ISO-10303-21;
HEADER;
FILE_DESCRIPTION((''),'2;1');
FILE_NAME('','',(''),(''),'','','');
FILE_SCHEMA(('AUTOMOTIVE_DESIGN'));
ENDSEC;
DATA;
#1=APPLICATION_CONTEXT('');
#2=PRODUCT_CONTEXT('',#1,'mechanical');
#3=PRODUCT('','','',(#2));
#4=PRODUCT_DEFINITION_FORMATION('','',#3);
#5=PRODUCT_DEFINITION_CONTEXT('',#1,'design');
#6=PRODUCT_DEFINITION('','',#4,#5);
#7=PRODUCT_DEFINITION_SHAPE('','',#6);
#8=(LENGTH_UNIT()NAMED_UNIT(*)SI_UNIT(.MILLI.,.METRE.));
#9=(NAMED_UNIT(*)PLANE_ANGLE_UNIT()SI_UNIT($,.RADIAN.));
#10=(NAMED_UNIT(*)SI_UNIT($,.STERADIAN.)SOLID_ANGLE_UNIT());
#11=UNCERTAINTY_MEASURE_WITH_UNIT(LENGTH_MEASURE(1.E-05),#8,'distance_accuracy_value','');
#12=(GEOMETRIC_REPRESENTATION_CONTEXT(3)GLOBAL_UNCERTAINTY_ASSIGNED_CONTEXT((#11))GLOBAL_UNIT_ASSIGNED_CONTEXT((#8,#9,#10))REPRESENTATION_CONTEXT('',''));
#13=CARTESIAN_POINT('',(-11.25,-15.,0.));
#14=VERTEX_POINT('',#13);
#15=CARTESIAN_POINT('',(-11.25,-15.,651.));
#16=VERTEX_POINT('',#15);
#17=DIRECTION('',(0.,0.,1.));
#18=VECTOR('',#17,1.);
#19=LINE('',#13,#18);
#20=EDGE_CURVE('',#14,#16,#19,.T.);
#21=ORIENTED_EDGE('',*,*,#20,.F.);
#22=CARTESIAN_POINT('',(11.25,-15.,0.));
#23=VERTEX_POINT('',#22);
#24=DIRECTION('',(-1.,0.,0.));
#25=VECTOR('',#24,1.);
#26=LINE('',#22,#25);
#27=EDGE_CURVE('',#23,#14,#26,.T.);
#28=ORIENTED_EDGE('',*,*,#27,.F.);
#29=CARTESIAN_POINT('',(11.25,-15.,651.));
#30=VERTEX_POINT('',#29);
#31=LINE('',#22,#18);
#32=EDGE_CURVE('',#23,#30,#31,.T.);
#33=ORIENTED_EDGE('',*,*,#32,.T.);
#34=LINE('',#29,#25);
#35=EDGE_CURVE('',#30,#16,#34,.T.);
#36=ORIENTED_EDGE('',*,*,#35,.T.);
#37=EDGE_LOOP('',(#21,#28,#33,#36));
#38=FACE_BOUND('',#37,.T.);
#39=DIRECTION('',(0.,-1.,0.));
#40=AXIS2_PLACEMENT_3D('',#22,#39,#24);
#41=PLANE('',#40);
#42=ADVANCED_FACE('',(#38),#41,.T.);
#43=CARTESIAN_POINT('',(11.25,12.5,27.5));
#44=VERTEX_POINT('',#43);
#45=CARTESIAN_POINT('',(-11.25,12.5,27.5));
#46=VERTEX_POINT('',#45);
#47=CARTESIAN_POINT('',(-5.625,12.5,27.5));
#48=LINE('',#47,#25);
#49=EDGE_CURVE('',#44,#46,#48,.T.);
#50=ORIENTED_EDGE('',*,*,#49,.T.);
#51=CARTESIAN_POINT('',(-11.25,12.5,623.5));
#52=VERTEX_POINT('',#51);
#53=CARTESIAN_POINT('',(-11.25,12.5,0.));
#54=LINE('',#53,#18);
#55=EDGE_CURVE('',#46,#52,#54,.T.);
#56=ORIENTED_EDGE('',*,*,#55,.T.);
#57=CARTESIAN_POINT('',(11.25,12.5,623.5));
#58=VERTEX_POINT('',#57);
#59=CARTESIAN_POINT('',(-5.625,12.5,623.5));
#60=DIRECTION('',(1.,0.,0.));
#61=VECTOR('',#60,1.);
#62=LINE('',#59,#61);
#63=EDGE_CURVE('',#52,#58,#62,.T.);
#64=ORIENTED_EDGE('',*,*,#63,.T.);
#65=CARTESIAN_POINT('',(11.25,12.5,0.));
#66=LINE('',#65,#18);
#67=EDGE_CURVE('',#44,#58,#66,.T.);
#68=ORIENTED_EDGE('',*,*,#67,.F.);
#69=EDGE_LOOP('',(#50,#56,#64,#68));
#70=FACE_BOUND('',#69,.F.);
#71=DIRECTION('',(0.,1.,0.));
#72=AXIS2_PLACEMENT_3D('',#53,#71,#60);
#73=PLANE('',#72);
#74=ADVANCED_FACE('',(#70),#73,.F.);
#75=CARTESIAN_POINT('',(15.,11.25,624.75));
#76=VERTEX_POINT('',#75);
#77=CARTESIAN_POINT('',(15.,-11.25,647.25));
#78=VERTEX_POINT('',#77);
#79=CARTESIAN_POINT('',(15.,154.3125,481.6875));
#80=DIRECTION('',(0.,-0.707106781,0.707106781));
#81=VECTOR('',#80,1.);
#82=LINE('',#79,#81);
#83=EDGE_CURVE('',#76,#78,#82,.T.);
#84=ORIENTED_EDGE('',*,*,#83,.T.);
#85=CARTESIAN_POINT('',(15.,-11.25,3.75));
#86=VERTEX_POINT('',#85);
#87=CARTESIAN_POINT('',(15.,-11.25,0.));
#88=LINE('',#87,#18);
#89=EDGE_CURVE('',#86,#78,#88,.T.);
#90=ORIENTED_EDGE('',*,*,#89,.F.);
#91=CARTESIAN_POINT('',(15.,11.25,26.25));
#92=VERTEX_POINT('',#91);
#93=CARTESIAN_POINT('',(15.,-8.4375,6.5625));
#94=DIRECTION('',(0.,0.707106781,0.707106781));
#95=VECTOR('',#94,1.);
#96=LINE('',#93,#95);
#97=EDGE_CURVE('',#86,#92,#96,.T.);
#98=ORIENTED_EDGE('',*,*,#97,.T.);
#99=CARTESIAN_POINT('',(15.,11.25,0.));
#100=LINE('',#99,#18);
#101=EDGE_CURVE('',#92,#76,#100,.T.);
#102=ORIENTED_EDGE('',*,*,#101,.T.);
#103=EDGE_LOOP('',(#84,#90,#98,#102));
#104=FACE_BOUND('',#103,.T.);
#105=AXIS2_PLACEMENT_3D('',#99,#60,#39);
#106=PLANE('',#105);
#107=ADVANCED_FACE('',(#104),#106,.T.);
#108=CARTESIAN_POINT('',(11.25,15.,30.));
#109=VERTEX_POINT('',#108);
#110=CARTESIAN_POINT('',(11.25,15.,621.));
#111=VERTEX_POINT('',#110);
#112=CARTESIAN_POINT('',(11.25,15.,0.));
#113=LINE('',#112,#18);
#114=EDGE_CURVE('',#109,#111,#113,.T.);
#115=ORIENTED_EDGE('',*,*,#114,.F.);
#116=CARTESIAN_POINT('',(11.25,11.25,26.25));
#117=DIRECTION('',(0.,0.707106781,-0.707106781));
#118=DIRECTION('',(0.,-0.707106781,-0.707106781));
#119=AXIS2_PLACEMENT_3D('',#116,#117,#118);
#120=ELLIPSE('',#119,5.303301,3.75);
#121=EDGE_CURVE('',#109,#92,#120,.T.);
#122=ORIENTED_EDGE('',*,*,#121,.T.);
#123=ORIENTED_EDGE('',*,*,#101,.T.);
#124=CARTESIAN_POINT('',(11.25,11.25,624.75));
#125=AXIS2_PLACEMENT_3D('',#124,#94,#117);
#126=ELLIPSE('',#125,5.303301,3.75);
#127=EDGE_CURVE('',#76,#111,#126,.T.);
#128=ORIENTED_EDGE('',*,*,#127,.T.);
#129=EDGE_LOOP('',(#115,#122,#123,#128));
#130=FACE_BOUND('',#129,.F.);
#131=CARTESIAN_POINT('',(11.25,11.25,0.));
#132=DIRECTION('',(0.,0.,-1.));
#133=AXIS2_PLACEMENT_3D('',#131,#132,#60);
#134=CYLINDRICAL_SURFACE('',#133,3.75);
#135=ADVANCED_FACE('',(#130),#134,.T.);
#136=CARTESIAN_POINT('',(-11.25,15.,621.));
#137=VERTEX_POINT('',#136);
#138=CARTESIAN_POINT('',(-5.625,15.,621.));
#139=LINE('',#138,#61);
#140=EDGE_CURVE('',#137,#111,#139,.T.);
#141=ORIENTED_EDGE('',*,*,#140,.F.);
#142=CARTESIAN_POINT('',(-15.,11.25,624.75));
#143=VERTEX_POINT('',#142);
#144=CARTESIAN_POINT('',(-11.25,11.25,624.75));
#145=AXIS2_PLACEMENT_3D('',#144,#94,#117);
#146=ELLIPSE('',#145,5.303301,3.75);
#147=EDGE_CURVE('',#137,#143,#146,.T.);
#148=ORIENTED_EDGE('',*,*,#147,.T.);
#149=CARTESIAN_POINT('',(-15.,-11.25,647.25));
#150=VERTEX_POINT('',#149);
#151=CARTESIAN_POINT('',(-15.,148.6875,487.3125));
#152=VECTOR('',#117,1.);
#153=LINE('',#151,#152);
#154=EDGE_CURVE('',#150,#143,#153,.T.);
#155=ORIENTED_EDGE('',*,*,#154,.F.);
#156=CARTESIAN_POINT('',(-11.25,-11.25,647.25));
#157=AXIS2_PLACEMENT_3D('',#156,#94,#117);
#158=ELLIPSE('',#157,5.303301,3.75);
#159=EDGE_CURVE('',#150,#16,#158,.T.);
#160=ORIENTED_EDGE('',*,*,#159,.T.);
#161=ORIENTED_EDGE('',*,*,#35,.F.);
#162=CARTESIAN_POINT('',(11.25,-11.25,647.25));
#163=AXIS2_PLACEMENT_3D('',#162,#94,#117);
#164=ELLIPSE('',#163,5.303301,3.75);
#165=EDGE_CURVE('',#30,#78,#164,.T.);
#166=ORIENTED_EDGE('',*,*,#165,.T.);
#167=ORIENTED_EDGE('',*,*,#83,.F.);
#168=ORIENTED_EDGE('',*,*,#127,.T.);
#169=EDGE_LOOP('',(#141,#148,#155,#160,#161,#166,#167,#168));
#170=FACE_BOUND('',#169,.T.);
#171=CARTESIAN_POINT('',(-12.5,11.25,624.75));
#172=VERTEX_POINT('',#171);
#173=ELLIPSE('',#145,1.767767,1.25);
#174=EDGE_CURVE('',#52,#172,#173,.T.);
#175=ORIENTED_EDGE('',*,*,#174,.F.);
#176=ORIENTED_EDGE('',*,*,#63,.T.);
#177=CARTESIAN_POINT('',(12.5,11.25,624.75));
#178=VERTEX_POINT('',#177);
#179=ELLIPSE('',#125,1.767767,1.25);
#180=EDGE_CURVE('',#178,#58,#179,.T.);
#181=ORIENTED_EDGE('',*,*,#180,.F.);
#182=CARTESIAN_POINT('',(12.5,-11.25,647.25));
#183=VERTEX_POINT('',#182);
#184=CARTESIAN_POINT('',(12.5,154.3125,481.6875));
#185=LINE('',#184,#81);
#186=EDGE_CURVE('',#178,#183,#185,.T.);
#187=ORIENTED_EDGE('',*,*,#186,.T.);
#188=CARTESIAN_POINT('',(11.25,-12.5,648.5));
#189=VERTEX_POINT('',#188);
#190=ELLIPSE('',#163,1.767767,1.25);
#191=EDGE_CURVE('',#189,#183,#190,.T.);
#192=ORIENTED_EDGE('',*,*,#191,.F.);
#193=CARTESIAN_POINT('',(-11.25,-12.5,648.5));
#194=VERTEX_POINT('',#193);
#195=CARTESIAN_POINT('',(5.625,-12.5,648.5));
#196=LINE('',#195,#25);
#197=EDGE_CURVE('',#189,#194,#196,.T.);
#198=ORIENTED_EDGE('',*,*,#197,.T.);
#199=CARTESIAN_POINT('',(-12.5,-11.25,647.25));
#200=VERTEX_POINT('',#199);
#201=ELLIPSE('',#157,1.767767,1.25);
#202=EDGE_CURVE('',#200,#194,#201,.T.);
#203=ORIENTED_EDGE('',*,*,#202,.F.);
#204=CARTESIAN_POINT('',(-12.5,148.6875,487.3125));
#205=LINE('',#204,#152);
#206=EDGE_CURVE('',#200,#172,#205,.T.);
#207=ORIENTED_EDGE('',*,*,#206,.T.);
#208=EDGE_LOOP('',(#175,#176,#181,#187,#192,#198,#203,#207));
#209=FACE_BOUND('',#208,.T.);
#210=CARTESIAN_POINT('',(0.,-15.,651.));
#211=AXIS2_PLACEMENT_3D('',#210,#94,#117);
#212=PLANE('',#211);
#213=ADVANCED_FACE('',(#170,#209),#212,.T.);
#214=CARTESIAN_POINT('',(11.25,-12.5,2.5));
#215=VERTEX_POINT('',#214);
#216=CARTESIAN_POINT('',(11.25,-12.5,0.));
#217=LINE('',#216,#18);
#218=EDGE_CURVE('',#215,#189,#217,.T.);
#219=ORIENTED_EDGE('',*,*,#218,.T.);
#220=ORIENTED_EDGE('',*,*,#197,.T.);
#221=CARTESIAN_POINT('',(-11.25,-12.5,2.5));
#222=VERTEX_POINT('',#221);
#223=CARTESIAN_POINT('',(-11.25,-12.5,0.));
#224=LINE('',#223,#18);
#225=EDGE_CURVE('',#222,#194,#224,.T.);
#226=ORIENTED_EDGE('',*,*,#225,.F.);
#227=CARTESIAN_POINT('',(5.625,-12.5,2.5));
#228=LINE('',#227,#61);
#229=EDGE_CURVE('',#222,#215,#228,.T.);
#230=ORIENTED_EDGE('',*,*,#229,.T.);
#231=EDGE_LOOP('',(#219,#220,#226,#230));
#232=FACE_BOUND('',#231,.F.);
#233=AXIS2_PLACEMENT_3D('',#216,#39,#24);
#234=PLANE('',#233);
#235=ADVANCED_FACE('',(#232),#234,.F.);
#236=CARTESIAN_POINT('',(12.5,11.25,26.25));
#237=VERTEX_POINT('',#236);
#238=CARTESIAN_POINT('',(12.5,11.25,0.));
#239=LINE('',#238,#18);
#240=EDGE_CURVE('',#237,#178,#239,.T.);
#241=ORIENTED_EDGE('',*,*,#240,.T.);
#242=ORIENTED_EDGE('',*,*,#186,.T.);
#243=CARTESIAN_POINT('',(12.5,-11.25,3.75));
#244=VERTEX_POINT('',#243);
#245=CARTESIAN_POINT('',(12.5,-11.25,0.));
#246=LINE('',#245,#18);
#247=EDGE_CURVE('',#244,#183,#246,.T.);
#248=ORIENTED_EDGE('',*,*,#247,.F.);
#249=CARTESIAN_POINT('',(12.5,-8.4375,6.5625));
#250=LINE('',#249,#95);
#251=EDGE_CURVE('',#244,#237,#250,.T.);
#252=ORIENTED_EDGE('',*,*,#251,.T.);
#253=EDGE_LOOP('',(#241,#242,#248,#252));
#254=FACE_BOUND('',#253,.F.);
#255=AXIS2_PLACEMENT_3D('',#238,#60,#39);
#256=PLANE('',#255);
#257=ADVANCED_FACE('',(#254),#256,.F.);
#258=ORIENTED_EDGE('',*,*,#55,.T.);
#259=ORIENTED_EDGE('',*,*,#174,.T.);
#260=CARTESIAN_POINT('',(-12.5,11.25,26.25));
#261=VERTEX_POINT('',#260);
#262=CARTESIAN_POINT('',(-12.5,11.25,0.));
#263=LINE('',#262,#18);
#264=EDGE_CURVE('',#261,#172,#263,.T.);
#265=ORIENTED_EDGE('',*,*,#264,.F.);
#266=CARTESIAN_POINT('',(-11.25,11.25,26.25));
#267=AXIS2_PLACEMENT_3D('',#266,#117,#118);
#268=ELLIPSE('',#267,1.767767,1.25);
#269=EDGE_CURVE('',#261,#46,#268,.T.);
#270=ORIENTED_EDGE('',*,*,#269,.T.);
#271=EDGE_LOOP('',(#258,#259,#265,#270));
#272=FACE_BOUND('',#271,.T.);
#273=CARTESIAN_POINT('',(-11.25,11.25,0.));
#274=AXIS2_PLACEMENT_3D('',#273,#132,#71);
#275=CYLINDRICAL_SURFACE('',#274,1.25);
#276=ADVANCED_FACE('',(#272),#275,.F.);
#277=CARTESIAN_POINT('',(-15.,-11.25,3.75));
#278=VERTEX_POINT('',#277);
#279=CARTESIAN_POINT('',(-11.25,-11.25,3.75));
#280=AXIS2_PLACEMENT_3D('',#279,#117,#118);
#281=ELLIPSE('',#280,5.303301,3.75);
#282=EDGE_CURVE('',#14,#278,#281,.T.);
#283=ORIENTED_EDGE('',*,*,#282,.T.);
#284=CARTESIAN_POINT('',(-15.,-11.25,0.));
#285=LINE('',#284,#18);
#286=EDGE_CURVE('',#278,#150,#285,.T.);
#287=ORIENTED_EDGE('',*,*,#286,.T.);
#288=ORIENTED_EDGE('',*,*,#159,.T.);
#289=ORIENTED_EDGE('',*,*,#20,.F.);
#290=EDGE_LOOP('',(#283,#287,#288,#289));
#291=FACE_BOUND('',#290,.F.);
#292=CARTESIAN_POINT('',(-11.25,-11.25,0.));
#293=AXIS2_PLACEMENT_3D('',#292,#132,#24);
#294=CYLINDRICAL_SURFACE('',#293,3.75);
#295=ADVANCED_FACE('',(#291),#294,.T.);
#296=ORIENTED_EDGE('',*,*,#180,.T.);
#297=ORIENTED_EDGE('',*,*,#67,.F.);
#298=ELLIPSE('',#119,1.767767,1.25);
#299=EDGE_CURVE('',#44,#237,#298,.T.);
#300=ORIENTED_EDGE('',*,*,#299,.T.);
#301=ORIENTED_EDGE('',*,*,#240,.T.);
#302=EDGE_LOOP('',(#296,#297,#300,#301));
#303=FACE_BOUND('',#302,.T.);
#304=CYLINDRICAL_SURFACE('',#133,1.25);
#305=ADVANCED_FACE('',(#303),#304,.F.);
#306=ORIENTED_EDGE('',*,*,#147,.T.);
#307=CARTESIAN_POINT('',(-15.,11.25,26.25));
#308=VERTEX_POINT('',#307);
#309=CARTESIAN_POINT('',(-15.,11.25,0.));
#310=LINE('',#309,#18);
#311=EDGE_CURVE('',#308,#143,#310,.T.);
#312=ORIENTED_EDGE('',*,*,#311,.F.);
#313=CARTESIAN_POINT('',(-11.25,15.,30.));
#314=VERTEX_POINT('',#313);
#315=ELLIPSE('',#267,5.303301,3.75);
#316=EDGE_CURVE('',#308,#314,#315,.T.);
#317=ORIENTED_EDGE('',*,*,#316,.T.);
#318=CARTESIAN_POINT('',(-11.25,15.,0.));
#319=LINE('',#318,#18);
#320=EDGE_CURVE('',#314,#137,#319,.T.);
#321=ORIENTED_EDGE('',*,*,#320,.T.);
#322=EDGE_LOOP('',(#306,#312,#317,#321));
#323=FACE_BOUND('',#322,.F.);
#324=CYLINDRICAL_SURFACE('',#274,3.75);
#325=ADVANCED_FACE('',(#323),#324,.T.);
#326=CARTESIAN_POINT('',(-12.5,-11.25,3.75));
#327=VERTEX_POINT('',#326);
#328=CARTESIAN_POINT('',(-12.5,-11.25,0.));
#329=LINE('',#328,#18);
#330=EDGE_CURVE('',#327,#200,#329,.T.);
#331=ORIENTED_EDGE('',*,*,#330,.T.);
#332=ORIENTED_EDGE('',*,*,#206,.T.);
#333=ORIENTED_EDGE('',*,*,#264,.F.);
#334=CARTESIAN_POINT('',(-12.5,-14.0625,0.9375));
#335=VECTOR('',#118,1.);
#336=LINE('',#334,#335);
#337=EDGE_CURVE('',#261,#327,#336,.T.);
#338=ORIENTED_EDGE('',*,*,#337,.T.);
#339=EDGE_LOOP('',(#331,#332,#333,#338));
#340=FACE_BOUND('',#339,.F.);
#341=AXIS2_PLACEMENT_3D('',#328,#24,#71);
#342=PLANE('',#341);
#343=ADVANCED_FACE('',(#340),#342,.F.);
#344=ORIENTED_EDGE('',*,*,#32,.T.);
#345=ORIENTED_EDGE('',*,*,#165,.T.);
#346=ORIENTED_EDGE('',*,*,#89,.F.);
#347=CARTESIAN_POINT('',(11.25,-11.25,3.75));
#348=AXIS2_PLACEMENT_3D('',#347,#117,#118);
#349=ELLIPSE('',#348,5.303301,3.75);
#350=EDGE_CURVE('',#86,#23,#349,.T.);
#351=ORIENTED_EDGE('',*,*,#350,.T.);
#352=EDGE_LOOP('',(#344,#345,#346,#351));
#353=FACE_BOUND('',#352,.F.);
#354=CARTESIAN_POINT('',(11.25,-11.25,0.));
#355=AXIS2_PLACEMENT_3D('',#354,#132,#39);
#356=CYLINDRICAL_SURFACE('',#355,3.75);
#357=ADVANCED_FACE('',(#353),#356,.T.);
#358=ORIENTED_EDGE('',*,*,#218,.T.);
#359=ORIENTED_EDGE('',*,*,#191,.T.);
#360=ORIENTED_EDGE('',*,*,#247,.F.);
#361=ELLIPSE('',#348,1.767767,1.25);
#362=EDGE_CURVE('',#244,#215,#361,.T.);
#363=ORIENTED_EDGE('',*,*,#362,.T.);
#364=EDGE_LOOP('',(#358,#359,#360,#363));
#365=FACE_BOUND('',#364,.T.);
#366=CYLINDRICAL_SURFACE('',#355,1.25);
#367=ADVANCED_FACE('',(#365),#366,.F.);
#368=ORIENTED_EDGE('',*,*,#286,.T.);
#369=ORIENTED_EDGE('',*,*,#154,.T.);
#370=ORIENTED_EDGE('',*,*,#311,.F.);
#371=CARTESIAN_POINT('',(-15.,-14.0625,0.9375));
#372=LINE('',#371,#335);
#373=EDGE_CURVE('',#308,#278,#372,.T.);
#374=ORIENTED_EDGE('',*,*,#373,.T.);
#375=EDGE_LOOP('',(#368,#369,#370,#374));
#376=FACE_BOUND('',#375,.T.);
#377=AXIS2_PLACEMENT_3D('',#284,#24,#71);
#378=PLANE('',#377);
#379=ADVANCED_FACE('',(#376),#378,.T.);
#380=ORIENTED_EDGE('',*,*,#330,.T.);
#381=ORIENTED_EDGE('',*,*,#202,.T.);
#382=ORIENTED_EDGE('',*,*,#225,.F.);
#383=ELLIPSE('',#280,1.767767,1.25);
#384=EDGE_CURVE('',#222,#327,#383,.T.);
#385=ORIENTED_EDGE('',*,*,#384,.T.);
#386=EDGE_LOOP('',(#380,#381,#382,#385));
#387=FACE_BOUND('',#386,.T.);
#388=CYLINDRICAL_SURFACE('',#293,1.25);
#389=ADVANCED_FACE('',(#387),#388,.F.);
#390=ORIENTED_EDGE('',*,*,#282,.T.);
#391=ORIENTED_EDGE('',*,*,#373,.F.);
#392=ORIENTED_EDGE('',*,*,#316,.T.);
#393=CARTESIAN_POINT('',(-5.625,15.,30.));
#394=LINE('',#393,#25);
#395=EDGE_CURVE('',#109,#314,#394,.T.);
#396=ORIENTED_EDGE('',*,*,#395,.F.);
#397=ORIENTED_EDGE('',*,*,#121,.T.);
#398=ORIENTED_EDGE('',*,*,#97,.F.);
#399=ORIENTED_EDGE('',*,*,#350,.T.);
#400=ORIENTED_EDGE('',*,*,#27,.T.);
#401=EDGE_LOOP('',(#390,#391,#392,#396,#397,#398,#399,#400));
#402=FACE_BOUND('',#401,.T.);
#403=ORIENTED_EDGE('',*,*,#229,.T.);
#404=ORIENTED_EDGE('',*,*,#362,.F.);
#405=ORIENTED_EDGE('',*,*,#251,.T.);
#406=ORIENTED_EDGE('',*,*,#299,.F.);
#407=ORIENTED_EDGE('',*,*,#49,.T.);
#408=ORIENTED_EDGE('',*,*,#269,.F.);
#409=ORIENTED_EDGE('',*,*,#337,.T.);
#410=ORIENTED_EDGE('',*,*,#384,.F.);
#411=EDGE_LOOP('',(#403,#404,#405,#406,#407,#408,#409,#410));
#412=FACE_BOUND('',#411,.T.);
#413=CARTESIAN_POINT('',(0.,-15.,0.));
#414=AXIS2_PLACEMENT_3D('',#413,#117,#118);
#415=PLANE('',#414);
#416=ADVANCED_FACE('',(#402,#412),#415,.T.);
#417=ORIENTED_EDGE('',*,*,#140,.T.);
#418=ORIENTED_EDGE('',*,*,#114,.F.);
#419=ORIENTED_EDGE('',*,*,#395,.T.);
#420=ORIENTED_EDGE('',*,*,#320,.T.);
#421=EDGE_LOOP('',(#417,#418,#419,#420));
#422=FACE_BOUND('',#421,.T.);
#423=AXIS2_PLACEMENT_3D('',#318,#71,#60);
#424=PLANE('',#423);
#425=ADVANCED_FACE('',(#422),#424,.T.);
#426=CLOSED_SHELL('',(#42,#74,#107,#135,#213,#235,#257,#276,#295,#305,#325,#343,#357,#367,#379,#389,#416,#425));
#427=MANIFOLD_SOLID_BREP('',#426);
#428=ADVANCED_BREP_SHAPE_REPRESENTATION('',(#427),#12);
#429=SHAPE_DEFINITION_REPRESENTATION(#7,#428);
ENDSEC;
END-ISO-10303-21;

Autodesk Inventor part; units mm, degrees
ref_plane "Start plane" through (0, 0, 0) normal (0, 0, 1) x (1, 0, 0)
ref_plane "End plane" through (0, 0, 651) normal (0, 0, 1) x (1, 0, 0)
sketch "Sketch" plane through (0, 0, 0) normal (0, 0, 1) x (1, 0, 0)
  line L0 (-15, -11.25) -> (-15, 11.25)
  line L1 (-11.25, 15) -> (11.25, 15)
  line L2 (15, 11.25) -> (15, -11.25)
  line L3 (11.25, -15) -> (-11.25, -15)
  arc A0 (-15, -11.25) -> (-11.25, -15) centre (-11.25, -11.25) ccw
  arc A1 (-11.25, 15) -> (-15, 11.25) centre (-11.25, 11.25) ccw
  arc A2 (15, 11.25) -> (11.25, 15) centre (11.25, 11.25) ccw
  arc A3 (11.25, -15) -> (15, -11.25) centre (11.25, -11.25) ccw
  arc A4 (-11.25, 12.5) -> (-12.5, 11.25) centre (-11.25, 11.25) ccw
  line L4 (-11.25, 12.5) -> (11.25, 12.5)
  arc A5 (12.5, 11.25) -> (11.25, 12.5) centre (11.25, 11.25) ccw
  line L5 (12.5, 11.25) -> (12.5, -11.25)
  arc A6 (11.25, -12.5) -> (12.5, -11.25) centre (11.25, -11.25) ccw
  line L6 (11.25, -12.5) -> (-11.25, -12.5)
  arc A7 (-12.5, -11.25) -> (-11.25, -12.5) centre (-11.25, -11.25) ccw
  line L7 (-12.5, -11.25) -> (-12.5, 11.25)
  line L8 (0, 22.0873) -> (0, -22.0873) construction
  line L9 (-22.0873, 0) -> (22.0873, 0) construction
  dimension "d7" = 3.75
  dimension "d10" = 30
  dimension "d11" = 30
  dimension "d12" = 2.5
  dimension "d15" = 15
  dimension "d16" = 15
extrude "Body" add sketch "Sketch" along normal up to surface (651 mm away) from surface at 0
sketch "Sketch3" plane through (0, 0, 0) normal (0, 0, 1) x (1, 0, 0)
  line L0 (0, 0) -> (10, 0)
ref_plane "Work Plane3" through (0, 0, 0) normal (0, -1, 0) x (1, 0, 0)
sketch "Sketch4" plane through (0, 0, 0) normal (0, -1, 0) x (1, 0, 0)
  line L0 (-2, 0) -> (12, 0)
  line L1 (-2, 651) -> (12, 651)
  dimension "d18" = 651
ref_plane "Work Plane4" through (0, -15, 0) normal (0, 0.7071, -0.7071) x (1, 0, 0)
split "Split1" plane through (0, -15, 0) removes the side toward (0, 0.7071, -0.7071)
ref_plane "Work Plane5" through (0, -15, 651) normal (0, 0.7071, 0.7071) x (1, 0, 0)
split "Split2" plane through (0, -15, 651) removes the side toward (0, 0.7071, 0.7071)
equation "\"d7\" = G_IR"
equation "\"d10\" = G_H"
equation "\"d11\" = G_W"
equation "\"d12\" = G_T"
equation "\"d15\" = 0.5 * d10"
equation "\"d16\" = 0.5 * d11"
equation "\"d3\" = G_L"
equation "\"G_W\" = 30"
equation "\"G_H\" = 30"
equation "\"G_T\" = 2.5"
equation "\"G_IR\" = 3.75"
equation "\"G_L\" = d18"
equation "\"G_OFFSET_START\" = 0"
equation "\"G_OFFSET_END\" = 0"
equation "\"d14\" = G_OFFSET_END + B_L"
equation "\"B_L\" = 651"
properties part number "DIN EN 10305-5 - 30 x 30 x 2,5  - 651" material "Steel, Mild"
